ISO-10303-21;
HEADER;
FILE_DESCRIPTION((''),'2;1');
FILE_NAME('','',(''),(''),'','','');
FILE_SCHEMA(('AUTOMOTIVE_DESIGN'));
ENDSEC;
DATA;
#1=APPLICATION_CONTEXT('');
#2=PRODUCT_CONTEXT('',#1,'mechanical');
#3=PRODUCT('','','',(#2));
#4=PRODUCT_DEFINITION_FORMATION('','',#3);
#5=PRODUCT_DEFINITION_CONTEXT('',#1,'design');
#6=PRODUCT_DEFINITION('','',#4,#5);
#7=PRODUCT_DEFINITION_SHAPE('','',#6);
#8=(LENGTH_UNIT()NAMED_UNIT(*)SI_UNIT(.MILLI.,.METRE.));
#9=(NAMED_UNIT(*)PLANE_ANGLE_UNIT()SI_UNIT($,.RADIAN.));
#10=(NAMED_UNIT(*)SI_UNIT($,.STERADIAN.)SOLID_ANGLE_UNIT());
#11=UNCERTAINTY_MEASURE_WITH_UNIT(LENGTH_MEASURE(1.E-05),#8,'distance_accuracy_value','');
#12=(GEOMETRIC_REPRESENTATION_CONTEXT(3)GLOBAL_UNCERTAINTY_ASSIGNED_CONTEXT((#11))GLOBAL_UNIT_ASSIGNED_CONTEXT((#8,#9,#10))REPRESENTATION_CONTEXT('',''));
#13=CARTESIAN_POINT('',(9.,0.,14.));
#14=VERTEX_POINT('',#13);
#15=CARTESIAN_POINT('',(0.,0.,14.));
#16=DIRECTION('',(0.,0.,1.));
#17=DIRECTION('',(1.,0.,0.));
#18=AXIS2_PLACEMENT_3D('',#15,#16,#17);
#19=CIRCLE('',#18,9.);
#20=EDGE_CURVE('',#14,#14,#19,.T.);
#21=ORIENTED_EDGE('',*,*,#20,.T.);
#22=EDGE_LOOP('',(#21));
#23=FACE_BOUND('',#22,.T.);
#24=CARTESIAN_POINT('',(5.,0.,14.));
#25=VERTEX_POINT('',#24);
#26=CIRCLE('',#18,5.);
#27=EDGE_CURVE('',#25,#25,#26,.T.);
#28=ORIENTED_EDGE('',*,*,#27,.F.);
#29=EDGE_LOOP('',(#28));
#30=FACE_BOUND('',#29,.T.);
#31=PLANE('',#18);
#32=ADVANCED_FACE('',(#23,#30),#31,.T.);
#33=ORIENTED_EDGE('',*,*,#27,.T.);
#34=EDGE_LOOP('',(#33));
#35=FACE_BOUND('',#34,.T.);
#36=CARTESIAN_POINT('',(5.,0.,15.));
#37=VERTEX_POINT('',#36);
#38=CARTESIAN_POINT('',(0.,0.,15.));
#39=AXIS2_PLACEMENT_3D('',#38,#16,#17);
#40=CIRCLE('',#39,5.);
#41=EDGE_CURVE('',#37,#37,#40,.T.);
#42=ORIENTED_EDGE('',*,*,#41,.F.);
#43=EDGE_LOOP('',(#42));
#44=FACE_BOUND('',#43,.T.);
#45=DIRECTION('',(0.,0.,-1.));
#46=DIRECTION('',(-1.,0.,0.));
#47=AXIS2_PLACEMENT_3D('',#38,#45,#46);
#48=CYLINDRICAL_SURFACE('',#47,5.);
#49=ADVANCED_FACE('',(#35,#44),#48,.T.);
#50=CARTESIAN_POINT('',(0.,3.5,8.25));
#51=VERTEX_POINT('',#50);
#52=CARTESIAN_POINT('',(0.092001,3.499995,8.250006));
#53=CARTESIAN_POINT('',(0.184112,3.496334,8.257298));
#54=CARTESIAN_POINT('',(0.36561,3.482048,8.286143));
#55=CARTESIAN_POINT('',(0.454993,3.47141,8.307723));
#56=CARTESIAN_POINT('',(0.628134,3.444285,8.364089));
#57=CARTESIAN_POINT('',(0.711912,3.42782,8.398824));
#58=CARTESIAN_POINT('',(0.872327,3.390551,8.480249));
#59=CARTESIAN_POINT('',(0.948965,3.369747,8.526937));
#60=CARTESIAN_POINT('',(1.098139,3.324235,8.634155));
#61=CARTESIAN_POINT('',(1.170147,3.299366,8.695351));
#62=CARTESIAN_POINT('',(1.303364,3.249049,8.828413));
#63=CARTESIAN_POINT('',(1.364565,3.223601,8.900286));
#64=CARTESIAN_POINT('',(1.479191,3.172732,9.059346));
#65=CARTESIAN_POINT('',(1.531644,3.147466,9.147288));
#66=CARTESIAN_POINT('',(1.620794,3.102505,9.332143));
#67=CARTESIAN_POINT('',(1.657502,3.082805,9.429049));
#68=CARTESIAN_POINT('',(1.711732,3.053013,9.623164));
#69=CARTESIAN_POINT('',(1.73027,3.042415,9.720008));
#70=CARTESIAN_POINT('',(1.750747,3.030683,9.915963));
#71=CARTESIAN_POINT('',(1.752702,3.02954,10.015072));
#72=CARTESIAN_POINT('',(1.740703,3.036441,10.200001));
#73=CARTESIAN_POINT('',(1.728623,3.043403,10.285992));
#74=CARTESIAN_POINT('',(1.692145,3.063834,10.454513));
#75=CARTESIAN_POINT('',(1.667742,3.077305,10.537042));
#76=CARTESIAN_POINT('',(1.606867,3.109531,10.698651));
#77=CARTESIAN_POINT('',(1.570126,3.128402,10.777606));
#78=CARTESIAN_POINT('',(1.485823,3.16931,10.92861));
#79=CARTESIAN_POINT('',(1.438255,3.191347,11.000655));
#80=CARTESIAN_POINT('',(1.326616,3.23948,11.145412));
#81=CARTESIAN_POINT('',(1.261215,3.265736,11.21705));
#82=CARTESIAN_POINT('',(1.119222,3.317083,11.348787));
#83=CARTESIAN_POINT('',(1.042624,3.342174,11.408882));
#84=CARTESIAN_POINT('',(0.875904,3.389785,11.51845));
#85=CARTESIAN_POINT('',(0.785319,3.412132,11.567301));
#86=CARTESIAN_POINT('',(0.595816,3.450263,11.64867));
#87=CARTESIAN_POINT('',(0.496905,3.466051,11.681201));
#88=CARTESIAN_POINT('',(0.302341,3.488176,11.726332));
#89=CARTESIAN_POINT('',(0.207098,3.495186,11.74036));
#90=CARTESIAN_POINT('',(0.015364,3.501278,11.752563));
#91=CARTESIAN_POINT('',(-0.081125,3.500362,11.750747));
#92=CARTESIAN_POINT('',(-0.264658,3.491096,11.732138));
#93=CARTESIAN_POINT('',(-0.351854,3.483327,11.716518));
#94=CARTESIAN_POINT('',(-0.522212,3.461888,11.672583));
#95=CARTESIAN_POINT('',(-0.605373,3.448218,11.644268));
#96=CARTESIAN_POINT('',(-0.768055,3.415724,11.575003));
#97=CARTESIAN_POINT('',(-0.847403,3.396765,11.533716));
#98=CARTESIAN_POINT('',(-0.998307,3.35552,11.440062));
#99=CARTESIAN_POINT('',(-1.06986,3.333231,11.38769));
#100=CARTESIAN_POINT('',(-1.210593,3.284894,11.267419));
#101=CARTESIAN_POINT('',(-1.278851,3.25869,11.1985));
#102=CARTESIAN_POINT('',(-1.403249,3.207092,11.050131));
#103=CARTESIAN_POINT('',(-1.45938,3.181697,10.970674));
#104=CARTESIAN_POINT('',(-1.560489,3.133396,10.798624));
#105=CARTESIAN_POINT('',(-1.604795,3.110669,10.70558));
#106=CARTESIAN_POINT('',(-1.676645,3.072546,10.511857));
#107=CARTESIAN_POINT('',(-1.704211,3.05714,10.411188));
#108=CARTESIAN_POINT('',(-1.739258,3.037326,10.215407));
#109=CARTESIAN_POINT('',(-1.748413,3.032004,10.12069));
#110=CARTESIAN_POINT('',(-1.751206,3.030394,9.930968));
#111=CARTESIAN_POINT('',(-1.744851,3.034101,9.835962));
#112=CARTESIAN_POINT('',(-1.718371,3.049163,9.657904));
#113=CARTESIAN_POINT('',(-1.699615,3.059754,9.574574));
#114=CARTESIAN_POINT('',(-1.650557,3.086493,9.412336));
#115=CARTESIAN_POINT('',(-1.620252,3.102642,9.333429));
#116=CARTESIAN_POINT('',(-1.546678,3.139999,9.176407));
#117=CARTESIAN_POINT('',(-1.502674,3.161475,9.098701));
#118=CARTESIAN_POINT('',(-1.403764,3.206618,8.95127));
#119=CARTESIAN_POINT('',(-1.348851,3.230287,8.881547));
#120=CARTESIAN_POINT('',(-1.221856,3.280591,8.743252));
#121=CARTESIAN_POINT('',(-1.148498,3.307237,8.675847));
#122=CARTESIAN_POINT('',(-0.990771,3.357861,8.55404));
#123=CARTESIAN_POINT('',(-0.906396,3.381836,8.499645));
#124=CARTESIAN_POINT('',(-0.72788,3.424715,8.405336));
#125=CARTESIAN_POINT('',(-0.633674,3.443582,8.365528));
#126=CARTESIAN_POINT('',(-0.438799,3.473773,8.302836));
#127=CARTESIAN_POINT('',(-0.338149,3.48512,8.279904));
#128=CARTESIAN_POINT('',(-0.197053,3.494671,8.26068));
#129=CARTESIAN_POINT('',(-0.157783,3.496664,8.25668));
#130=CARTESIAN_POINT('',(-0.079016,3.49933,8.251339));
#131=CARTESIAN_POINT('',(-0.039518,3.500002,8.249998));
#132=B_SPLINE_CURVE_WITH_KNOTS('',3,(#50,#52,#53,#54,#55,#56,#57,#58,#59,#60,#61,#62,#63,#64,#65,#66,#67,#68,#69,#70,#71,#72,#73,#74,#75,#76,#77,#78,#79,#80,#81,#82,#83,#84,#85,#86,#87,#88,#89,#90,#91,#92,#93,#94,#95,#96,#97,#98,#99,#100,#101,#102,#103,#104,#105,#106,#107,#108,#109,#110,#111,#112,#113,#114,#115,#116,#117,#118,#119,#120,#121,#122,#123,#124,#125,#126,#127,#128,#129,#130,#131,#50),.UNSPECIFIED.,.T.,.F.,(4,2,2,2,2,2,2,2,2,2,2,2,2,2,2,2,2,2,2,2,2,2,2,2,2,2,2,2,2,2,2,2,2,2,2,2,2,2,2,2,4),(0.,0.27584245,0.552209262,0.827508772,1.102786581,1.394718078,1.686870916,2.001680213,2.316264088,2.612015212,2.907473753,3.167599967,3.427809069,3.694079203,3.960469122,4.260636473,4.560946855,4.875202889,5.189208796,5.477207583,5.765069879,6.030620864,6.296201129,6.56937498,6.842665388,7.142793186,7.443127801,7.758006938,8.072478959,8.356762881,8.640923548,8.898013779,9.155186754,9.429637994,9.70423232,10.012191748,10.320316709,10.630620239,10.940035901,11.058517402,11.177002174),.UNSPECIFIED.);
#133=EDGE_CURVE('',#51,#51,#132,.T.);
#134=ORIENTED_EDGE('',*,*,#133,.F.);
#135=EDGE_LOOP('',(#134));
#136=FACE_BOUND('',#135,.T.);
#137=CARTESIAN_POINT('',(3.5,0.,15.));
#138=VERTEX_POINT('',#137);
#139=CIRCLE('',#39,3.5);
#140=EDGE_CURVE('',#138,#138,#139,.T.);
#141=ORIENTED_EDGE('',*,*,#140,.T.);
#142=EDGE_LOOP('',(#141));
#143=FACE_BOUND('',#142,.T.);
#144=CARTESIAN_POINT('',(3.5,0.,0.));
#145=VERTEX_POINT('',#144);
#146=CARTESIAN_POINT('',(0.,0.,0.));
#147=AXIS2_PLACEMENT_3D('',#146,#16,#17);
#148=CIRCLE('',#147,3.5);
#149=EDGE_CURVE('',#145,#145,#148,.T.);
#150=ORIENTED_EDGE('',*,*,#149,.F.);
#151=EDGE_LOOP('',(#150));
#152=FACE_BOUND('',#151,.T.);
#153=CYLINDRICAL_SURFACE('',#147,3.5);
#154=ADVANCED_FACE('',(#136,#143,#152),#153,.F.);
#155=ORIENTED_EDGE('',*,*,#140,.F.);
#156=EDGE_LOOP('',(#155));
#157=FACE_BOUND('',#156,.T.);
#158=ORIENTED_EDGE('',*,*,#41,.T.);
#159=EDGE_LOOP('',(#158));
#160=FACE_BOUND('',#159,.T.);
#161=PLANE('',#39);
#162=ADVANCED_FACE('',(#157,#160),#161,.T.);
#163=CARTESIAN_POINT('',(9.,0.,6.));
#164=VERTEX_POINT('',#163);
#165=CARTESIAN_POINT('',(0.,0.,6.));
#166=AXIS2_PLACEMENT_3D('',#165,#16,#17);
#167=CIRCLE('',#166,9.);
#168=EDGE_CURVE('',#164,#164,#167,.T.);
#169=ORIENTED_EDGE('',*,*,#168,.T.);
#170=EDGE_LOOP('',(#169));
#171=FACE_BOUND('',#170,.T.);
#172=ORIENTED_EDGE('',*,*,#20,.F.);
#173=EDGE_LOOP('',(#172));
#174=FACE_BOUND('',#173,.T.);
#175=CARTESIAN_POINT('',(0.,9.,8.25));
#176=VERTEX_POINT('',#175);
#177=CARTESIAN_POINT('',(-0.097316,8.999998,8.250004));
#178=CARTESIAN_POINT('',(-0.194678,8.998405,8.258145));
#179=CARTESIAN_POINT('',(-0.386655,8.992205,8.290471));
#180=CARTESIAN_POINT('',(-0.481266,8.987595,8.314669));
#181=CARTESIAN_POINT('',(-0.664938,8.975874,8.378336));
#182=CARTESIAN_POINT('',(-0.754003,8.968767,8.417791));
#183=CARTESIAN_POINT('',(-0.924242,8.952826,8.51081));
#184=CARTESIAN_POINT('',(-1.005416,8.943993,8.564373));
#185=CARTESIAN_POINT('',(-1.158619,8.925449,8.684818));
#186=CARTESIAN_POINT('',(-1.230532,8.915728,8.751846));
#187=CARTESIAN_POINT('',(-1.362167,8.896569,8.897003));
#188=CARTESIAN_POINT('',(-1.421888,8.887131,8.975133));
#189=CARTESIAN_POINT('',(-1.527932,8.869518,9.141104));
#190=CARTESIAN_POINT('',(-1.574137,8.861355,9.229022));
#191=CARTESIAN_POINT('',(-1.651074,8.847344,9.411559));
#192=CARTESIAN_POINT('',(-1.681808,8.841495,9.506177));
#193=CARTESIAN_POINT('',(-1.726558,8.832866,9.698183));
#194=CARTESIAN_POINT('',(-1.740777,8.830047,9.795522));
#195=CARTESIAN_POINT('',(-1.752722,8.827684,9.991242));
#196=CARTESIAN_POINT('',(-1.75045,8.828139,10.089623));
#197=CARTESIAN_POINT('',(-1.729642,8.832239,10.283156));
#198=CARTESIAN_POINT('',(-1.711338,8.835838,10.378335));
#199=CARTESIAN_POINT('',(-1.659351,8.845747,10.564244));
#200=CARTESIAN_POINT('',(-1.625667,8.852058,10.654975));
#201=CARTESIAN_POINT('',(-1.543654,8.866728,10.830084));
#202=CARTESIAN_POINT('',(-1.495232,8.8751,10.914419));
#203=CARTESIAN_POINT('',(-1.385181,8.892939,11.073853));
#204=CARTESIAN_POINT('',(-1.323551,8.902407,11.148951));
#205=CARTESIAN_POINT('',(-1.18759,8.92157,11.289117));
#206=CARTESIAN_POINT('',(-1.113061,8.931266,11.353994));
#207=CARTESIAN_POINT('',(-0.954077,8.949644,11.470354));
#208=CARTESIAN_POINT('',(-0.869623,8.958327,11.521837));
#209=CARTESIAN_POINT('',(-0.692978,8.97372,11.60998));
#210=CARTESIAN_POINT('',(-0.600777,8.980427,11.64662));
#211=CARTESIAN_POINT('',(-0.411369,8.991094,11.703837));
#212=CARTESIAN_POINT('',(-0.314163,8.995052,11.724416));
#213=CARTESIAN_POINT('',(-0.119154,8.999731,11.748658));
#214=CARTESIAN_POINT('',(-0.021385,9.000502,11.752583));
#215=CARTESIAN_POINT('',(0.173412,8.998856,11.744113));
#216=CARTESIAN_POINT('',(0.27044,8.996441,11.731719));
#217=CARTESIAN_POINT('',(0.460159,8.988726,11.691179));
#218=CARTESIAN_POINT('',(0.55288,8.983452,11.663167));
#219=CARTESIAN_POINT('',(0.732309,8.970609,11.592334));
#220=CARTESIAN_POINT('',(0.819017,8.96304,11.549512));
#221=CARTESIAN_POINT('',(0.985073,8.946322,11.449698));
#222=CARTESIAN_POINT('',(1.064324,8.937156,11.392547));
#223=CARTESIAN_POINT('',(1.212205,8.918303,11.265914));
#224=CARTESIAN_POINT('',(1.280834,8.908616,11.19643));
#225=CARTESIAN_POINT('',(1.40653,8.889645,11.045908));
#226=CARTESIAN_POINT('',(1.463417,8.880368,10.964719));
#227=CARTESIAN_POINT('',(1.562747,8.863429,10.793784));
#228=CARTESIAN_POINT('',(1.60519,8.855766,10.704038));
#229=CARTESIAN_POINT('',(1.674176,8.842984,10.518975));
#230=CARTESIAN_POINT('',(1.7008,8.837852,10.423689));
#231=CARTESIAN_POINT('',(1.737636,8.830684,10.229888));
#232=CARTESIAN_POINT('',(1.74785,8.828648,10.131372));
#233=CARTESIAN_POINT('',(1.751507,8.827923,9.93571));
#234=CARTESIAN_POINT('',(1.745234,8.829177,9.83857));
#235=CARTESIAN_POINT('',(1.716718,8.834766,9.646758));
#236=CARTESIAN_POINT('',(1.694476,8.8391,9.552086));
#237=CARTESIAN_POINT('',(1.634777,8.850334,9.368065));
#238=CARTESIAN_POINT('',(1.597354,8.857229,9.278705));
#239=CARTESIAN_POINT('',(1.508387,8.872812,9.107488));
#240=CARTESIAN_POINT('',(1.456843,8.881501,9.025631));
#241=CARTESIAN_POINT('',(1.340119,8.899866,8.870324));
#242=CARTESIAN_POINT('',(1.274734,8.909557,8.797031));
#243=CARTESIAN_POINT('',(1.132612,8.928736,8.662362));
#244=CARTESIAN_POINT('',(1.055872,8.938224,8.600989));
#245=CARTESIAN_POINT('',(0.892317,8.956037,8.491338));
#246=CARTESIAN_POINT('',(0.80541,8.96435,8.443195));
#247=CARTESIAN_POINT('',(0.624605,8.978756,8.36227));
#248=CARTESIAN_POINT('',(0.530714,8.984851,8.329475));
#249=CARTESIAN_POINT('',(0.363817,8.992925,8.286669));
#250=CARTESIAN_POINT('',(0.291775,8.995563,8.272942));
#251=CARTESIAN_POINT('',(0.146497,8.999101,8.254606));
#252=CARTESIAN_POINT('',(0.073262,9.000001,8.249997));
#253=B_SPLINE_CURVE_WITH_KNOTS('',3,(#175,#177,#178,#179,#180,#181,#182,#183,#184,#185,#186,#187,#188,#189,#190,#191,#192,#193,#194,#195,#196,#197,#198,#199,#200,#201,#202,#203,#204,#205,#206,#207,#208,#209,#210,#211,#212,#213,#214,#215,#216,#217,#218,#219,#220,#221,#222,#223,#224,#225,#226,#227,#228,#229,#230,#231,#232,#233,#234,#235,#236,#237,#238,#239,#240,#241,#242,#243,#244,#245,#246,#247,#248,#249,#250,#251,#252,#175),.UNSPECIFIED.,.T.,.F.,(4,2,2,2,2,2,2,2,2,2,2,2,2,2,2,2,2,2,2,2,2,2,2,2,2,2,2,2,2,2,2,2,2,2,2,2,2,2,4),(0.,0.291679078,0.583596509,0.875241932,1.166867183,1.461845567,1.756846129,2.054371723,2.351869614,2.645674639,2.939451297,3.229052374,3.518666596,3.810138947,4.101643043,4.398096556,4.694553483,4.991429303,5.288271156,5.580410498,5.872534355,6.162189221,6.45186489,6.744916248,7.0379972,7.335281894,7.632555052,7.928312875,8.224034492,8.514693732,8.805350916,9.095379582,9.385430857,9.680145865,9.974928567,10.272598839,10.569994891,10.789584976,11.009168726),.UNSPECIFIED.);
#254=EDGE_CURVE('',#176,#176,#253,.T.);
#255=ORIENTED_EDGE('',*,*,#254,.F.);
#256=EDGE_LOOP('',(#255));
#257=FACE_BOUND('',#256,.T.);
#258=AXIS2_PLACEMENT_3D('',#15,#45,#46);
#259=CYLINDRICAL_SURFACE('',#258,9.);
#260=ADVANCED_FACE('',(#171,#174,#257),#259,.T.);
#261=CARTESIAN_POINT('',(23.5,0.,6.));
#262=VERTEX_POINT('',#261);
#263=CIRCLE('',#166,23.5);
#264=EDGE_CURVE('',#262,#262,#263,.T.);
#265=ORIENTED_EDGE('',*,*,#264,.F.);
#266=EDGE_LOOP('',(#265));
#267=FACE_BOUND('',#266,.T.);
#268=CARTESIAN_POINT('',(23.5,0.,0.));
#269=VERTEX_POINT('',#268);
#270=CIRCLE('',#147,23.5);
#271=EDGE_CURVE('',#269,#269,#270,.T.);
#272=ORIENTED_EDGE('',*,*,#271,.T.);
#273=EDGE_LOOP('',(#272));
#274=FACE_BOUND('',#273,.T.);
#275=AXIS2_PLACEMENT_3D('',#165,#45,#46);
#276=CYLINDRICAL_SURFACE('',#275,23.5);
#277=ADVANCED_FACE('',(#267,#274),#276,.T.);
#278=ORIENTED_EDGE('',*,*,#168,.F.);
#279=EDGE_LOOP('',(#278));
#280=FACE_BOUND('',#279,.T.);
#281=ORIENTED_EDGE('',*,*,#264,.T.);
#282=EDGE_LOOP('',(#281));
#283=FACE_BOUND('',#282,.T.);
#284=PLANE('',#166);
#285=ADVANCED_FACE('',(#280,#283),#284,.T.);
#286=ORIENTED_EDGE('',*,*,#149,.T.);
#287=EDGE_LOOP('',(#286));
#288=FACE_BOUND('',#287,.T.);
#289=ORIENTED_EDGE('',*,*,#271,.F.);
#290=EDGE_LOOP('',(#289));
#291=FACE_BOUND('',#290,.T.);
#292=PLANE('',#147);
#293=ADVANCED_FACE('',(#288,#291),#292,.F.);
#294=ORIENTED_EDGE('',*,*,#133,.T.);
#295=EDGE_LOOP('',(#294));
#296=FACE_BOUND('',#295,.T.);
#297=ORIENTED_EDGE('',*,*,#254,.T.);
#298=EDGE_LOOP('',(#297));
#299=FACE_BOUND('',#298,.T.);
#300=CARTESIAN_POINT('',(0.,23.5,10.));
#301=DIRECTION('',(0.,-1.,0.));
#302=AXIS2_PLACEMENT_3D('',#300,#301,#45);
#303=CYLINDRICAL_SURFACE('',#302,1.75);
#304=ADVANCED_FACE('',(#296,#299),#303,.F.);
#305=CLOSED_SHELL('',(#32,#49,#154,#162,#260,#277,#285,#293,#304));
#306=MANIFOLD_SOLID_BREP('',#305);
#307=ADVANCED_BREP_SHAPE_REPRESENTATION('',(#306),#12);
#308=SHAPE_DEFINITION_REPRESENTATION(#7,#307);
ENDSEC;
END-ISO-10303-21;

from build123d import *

# Parameters (mm, degrees)
SKETCH_1_R          = 23.5
EXTRUDE_1_DEPTH     = 6
SKETCH_2_R          = 9
EXTRUDE_2_DEPTH     = 8
SKETCH_3_R          = 3.5
CUT_EXTRUDE_1_DEPTH = 37.062445841
SKETCH_4_R          = 1.75
CUT_EXTRUDE_2_DEPTH = 37.062445841
EXTRUDE_START       = 1
SKETCH_5_R          = 5
SKETCH_5_R_2        = 3.5
EXTRUDE_3_DEPTH     = 1


with BuildPart() as part:
    # 草图1 → 凸台-拉伸1 (new body)
    with BuildSketch(Plane.XY):
        Circle(SKETCH_1_R)
    extrude(amount=EXTRUDE_1_DEPTH)

    # 草图2 → 凸台-拉伸2 (add)
    with BuildSketch(Plane.XY.offset(6)):
        Circle(SKETCH_2_R)
    extrude(amount=EXTRUDE_2_DEPTH)

    # 草图3 → 切除-拉伸1 (cut, through all)
    with BuildSketch(Plane.XY.offset(14)):
        Circle(SKETCH_3_R)
    extrude(amount=-CUT_EXTRUDE_1_DEPTH, mode=Mode.SUBTRACT)

    # 草图4 → 切除-拉伸2 (cut, through all)
    with BuildSketch(Plane(origin=(0, 0, 0), x_dir=(1, 0, 0), z_dir=(0, 1, 0))):
        with Locations(Location((0, -10, 0), (0, 0, 90))):
            Circle(SKETCH_4_R)
    extrude(amount=CUT_EXTRUDE_2_DEPTH, mode=Mode.SUBTRACT)

    # 草图5 → 凸台-拉伸3 (add)
    with BuildSketch(Plane.XY.offset(14).offset(EXTRUDE_START)):
        Circle(SKETCH_5_R)
        Circle(SKETCH_5_R_2, mode=Mode.SUBTRACT)
    extrude(amount=-EXTRUDE_3_DEPTH)


solid = part.part
